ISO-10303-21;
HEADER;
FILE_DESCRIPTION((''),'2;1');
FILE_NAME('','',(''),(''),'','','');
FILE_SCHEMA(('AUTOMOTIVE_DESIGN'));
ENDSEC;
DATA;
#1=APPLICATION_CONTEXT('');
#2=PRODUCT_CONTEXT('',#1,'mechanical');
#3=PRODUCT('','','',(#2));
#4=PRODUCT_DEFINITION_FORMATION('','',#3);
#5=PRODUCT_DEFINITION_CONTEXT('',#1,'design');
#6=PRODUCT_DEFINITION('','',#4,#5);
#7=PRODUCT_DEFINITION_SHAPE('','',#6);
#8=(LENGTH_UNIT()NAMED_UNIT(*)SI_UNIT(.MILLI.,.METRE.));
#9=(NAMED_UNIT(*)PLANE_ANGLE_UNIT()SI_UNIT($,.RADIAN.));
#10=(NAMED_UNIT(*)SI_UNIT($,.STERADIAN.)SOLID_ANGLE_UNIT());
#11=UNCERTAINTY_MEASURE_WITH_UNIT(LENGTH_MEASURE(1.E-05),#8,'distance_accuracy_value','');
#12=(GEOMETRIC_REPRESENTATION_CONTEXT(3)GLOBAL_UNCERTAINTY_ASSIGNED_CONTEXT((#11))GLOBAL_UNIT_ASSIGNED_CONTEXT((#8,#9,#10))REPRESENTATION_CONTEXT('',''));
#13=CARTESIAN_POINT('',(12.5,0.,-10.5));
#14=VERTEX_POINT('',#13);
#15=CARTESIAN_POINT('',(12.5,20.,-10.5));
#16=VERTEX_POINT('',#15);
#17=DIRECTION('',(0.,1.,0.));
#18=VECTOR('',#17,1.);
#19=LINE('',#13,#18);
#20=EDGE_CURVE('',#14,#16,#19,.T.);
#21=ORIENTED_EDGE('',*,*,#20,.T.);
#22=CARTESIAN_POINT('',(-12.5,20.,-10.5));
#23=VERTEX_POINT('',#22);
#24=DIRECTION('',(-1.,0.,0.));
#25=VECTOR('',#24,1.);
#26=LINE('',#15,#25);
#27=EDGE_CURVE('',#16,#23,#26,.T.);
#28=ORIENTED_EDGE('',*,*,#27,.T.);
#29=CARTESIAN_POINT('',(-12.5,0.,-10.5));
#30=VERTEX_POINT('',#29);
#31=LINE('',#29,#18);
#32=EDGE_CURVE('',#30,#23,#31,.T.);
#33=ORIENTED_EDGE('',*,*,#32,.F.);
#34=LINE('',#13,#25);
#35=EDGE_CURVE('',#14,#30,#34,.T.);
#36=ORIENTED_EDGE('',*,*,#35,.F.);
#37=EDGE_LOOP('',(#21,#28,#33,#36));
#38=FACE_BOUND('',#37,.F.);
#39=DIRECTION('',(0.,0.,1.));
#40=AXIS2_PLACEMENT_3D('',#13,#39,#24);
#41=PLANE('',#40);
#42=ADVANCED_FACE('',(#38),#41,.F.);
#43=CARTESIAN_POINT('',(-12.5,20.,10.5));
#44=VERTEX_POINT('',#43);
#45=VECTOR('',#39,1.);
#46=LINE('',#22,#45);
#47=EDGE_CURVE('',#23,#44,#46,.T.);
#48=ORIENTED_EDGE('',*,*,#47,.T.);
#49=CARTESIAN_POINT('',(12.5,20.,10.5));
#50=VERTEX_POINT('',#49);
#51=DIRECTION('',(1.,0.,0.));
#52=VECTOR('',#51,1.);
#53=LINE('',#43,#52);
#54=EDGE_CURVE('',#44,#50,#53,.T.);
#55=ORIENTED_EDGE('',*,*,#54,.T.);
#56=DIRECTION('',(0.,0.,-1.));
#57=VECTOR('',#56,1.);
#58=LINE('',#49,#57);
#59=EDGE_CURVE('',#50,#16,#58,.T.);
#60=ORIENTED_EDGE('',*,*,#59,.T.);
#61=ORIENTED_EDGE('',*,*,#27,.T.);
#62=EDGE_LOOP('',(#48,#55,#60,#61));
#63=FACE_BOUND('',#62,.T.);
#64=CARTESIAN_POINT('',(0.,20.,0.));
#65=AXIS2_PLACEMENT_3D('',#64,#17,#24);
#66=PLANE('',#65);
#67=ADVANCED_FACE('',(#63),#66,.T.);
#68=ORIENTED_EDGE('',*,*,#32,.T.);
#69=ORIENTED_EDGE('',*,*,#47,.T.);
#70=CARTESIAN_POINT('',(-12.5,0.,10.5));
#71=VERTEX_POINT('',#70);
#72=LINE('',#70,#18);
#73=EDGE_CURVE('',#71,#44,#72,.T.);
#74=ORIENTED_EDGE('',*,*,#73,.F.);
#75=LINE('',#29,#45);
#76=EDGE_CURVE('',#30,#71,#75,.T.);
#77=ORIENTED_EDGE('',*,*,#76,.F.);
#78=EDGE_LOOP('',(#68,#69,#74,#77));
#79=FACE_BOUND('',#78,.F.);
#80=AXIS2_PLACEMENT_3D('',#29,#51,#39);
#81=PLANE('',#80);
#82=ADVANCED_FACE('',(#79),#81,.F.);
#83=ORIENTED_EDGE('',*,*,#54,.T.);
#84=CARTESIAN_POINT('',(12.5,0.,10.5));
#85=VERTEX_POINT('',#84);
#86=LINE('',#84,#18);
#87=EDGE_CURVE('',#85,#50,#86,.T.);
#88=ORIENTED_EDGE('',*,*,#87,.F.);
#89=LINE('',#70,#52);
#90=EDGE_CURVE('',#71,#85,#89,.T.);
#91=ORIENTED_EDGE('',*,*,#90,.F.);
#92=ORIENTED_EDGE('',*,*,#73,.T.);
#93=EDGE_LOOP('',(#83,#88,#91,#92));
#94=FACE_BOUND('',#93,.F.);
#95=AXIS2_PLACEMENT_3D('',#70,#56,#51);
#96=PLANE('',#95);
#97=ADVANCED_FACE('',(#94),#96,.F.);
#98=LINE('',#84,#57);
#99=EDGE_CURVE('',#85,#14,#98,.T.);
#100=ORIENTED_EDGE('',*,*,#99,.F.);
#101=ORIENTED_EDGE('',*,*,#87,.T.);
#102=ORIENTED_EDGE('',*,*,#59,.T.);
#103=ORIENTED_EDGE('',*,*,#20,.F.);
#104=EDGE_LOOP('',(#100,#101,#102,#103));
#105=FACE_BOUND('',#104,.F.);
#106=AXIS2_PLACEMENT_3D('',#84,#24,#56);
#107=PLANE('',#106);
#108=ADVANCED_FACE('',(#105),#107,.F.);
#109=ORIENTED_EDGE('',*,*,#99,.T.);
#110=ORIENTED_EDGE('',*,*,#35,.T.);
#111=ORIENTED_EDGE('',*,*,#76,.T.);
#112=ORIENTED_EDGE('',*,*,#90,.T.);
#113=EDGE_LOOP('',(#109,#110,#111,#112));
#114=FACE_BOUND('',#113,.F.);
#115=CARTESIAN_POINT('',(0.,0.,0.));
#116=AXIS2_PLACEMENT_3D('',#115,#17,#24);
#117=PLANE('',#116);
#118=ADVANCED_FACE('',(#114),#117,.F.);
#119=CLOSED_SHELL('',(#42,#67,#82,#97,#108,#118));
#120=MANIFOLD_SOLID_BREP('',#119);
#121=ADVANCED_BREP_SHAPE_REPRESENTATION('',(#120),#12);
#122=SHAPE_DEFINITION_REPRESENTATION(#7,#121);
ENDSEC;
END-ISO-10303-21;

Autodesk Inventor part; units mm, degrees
ref_plane "YZ Plane" through (0, 0, 0) normal (1, 0, 0) x (0, 1, 0)
ref_plane "XZ Plane" through (0, 0, 0) normal (0, 1, 0) x (-1, 0, 0)
ref_plane "XY Plane" through (0, 0, 0) normal (0, 0, 1) x (1, 0, 0)
sketch "Sketch1" plane through (0, 0, 0) normal (0, 1, 0) x (-1, 0, 0)
  line L0 (-12.5, 10.5) -> (-12.5, -10.5)
  line L1 (-12.5, -10.5) -> (12.5, -10.5)
  line L2 (12.5, -10.5) -> (12.5, 10.5)
  line L3 (12.5, 10.5) -> (-12.5, 10.5)
  line L4 (-12.5, 10.5) -> (12.5, -10.5) construction
  line L5 (-12.5, -10.5) -> (12.5, 10.5) construction
  point P0 (0, 0)
  dimension "d0" = 21
  dimension "d1" = 25
extrude "Extrusion1" add sketch "Sketch1" along normal blind 20
ref_plane "Work Plane1" through (0, 10, 0) normal (0, -1, 0) x (1, 0, 0)
ref_plane "Work Plane2" through (0, 0, -10.5) normal (-1, 0, 0) x (0, 0, 1)
ref_plane "Work Plane3" through (-12.5, 0, 0) normal (0, 0, 1) x (1, 0, 0)
properties part number "Riser"
